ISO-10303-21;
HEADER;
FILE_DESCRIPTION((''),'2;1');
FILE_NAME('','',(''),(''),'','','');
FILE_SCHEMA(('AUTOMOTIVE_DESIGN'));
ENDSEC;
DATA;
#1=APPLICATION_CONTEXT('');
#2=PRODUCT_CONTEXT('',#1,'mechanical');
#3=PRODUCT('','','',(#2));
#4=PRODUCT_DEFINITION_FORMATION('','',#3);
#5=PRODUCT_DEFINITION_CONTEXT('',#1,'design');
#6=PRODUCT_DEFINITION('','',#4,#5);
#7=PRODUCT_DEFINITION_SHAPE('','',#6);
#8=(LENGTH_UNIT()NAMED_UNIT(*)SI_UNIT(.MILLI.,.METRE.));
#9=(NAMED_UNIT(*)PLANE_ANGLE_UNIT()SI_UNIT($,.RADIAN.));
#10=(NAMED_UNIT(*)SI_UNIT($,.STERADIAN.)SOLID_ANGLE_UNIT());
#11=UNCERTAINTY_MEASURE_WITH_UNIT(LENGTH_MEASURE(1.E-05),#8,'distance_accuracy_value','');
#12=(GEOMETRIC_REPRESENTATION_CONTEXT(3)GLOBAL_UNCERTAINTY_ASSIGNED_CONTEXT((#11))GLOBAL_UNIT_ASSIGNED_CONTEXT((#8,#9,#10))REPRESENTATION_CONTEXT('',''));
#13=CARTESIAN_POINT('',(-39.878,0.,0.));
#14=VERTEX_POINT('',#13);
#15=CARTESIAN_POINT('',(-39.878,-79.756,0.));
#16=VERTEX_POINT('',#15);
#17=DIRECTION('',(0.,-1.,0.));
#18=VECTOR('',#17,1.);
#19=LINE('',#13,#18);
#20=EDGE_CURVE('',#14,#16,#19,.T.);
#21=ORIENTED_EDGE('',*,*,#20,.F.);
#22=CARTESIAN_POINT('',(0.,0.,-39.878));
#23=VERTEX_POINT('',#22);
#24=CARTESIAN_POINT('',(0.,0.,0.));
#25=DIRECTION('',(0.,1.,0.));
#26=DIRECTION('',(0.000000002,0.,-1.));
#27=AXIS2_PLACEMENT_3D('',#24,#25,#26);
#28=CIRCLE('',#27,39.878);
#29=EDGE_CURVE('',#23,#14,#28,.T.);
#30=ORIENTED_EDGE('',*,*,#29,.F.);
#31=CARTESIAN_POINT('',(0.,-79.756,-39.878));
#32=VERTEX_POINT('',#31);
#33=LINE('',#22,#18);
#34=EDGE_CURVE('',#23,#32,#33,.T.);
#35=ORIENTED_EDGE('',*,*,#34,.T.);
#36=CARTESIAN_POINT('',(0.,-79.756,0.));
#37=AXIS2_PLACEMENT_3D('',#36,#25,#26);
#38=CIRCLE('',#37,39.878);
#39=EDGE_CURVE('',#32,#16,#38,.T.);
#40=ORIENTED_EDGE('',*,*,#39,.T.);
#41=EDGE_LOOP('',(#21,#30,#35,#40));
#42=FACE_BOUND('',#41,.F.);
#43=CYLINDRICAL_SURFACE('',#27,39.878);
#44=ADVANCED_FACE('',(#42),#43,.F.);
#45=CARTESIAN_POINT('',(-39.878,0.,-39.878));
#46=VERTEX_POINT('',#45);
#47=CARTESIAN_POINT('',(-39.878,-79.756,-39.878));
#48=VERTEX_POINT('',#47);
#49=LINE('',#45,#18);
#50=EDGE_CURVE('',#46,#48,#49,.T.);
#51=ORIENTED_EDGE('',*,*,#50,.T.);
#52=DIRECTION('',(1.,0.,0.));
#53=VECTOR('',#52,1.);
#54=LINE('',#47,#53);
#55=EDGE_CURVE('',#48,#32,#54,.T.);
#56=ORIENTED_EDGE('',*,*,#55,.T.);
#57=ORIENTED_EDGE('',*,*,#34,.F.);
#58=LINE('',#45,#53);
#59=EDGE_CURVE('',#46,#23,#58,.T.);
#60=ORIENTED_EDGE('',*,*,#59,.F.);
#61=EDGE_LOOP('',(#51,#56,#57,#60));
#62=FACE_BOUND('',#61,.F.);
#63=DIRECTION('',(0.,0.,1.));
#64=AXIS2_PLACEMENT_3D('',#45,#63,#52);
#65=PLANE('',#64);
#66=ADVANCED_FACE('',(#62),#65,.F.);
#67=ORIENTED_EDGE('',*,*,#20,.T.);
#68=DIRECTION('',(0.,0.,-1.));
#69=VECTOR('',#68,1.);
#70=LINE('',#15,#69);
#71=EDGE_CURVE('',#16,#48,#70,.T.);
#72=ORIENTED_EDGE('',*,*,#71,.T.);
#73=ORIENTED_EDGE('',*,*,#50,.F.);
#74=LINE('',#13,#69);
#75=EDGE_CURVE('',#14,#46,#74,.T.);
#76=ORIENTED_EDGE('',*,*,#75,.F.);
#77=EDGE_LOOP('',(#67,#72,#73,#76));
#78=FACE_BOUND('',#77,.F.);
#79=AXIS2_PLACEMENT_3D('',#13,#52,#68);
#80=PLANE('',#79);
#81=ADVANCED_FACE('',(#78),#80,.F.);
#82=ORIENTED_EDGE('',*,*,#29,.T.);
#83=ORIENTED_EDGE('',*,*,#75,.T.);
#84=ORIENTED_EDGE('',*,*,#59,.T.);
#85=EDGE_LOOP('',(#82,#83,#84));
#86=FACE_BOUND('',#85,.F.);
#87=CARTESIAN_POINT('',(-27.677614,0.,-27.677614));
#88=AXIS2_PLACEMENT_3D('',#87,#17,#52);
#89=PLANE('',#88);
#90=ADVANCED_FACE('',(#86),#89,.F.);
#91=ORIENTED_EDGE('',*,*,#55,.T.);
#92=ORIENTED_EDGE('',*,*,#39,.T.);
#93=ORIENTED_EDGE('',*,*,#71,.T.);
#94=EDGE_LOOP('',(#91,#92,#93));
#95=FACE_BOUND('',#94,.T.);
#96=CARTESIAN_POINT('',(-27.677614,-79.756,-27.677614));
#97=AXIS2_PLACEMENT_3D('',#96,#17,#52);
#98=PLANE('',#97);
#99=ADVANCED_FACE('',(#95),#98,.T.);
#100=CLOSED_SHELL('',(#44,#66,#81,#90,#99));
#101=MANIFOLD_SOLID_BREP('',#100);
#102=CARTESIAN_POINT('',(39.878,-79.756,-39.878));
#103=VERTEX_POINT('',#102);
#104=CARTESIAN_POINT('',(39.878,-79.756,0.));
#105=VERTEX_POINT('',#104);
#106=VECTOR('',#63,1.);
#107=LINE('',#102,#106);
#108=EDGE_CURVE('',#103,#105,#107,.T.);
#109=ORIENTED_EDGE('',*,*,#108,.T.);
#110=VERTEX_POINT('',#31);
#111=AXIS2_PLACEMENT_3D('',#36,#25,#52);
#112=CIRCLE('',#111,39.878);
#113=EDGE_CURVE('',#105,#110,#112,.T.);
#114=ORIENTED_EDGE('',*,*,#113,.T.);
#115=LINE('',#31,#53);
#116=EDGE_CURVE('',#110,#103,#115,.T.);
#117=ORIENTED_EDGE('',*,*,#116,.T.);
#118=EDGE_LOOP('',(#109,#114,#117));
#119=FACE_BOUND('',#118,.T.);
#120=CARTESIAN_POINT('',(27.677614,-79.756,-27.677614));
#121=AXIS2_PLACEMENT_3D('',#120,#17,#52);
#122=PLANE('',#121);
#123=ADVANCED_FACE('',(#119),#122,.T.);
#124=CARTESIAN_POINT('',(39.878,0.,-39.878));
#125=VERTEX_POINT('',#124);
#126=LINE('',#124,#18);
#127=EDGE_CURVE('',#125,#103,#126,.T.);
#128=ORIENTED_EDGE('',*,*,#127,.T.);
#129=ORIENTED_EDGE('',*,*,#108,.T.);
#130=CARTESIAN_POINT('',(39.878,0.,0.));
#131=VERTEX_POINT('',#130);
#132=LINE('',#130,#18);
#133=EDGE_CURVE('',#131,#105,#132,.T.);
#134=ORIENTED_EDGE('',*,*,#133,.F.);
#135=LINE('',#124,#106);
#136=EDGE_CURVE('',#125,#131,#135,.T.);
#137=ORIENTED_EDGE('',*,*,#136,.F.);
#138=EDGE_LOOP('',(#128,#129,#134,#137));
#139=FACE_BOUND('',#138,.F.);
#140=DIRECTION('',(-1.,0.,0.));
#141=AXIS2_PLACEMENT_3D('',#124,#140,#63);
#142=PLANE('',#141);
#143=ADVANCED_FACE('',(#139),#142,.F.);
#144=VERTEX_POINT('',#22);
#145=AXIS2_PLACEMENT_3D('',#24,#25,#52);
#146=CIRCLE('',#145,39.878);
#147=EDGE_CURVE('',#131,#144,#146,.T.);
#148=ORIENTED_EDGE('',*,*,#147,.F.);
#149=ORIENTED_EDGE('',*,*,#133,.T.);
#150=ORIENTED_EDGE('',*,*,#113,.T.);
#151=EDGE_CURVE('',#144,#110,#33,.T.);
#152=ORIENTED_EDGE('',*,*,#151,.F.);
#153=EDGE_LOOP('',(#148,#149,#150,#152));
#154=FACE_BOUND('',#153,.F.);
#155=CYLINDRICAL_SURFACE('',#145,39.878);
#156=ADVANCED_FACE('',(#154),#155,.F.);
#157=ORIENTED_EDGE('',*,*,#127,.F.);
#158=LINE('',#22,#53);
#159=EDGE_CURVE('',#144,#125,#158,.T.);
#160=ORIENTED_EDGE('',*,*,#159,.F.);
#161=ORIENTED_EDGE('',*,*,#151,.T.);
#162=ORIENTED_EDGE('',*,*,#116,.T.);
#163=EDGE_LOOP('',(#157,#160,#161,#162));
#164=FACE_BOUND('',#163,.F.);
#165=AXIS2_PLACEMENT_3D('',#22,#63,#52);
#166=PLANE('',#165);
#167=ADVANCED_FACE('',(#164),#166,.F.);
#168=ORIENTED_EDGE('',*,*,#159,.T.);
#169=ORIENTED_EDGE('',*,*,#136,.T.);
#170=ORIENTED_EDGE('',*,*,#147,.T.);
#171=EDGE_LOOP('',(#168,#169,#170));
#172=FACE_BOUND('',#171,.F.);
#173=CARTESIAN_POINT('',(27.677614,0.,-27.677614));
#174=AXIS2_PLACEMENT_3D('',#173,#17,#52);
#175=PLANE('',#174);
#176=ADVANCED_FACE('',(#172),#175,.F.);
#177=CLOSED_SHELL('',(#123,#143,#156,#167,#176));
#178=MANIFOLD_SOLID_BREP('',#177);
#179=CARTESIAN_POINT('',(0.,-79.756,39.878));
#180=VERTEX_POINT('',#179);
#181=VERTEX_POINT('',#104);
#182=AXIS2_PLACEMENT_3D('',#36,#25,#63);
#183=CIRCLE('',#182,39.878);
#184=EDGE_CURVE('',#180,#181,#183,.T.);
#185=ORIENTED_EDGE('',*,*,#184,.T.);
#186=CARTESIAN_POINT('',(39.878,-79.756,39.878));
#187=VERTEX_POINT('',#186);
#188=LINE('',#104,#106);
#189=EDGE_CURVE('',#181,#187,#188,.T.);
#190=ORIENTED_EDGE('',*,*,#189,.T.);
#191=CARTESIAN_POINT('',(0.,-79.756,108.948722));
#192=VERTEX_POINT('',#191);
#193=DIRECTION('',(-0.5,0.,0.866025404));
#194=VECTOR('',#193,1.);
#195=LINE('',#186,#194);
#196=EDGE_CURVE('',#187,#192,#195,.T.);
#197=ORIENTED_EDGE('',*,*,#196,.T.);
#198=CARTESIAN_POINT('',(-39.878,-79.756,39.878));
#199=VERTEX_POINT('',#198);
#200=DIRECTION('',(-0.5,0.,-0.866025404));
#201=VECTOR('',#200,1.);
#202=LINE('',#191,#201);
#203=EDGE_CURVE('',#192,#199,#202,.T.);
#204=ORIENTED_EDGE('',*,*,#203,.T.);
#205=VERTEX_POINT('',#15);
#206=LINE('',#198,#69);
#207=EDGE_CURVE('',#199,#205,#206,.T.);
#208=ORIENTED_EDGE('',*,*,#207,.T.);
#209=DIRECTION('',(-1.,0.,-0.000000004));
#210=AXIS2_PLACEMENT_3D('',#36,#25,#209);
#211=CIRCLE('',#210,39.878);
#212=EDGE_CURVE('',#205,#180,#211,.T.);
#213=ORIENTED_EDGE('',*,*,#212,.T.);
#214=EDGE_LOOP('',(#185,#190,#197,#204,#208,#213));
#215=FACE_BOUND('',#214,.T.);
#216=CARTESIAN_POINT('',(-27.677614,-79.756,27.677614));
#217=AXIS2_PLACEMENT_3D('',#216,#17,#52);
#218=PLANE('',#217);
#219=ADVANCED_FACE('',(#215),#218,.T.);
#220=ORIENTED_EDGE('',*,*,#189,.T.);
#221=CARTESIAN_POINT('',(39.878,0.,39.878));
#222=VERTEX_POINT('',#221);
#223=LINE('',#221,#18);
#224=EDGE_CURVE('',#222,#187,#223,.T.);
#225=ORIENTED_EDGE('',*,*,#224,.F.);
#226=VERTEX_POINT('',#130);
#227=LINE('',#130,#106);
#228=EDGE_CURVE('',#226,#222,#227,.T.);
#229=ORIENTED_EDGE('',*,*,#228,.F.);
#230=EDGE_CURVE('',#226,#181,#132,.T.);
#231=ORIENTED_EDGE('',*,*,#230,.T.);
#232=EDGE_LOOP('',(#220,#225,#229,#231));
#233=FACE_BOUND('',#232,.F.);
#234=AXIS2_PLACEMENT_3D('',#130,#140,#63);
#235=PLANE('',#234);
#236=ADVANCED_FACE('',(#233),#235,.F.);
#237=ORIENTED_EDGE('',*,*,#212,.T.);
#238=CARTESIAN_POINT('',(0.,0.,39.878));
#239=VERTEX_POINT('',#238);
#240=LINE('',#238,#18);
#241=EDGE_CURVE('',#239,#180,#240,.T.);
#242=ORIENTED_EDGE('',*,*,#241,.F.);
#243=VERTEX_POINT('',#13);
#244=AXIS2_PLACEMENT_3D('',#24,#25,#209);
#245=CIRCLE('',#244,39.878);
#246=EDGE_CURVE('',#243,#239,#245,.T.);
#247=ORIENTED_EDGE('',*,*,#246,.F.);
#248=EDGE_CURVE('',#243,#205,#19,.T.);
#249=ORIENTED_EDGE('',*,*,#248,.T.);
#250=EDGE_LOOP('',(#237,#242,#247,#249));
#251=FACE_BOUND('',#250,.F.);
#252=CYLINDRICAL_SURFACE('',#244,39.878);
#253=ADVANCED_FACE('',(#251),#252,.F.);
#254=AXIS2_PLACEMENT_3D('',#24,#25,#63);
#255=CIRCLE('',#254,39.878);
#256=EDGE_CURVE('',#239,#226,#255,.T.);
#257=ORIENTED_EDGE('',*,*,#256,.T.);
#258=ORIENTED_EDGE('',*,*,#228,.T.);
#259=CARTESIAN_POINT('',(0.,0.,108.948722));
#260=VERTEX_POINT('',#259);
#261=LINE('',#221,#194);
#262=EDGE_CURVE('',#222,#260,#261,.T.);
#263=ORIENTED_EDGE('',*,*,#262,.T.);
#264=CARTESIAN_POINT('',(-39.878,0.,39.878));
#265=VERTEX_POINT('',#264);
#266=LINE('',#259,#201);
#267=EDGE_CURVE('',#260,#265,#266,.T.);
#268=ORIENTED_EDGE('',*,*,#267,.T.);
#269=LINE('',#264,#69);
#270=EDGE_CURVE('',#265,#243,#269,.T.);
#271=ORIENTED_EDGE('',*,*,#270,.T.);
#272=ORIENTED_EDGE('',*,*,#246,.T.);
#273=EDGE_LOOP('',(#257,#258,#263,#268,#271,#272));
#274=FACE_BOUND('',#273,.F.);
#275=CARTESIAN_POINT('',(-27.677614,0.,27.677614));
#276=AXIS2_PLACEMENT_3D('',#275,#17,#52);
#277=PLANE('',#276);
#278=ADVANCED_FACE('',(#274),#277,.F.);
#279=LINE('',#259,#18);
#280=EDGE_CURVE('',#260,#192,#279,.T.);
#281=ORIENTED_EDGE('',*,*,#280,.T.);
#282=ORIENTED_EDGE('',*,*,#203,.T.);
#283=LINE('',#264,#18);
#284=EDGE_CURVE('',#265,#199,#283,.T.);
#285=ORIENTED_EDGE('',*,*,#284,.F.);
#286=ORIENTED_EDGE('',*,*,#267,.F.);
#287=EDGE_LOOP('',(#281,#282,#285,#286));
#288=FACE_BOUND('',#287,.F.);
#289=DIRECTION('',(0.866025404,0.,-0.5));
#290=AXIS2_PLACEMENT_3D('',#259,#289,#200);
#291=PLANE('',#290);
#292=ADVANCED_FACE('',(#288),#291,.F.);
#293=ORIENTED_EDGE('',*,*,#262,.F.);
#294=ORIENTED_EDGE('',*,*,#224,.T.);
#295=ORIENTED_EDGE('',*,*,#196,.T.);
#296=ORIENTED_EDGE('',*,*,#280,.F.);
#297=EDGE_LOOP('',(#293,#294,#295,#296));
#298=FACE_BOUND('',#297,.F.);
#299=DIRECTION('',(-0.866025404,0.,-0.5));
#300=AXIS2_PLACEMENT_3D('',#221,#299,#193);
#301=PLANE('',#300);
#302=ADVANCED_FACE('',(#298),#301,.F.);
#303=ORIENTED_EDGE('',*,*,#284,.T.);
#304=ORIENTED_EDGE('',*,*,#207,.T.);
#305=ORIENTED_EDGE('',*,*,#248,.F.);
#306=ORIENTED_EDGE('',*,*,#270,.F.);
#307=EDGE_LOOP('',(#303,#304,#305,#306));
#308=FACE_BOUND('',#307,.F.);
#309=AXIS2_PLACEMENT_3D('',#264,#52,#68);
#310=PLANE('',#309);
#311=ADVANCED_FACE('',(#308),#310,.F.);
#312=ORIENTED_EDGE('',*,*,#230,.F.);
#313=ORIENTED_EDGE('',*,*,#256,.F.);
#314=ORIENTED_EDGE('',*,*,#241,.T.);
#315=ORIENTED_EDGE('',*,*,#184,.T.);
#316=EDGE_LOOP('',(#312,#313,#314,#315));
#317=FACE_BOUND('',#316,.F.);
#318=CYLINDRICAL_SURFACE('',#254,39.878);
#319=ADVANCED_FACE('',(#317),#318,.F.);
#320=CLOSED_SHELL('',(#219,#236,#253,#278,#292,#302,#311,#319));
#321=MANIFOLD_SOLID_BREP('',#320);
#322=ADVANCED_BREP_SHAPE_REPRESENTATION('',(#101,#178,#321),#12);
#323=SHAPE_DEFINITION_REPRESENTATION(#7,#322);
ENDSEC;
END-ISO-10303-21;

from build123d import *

# Parameters (mm, degrees)
F1_DEPTH = 79.756


with BuildPart() as f1:
    # F0 (on Front) → F1 (new body)
    with BuildSketch(Plane.XZ):
        with BuildLine():
            ThreePointArc((-39.878, -1.724e-07), (-28.1980042811, 28.1980041592), (0, 39.878))
            Line((0, 39.878), (-39.878, 39.878))
            Line((-39.878, 39.878), (-39.878, -1.724e-07))
        make_face()
        Polygon((0, 39.878), (39.878, 39.878), (0, 108.9487221042), (-39.878, 39.878), align=None)
        with BuildLine():
            Line((39.878, 0), (39.878, 39.878))
            Line((39.878, 39.878), (0, 39.878))
            ThreePointArc((0, 39.878), (28.1980042202, 28.1980042202), (39.878, 0))
        make_face()
    extrude(amount=F1_DEPTH)


with BuildPart() as f1b:
    # F0 (on Front) → F1, piece 2 (new body)
    with BuildSketch(Plane.XZ):
        with BuildLine():
            Line((39.878, -39.878), (39.878, 0))
            ThreePointArc((39.878, 0), (28.1980042534, -28.1980041869), (9.4e-08, -39.878))
            Line((9.4e-08, -39.878), (39.878, -39.878))
        make_face()
    extrude(amount=F1_DEPTH)


with BuildPart() as f1c:
    # F0 (on Front) → F1, piece 3 (new body)
    with BuildSketch(Plane.XZ):
        with BuildLine():
            ThreePointArc((9.4e-08, -39.878), (-28.198004126, -28.1980043144), (-39.878, -1.724e-07))
            Line((-39.878, -1.724e-07), (-39.878, -39.878))
            Line((-39.878, -39.878), (9.4e-08, -39.878))
        make_face()
    extrude(amount=F1_DEPTH)


solid = Compound([f1.part, f1b.part, f1c.part])
